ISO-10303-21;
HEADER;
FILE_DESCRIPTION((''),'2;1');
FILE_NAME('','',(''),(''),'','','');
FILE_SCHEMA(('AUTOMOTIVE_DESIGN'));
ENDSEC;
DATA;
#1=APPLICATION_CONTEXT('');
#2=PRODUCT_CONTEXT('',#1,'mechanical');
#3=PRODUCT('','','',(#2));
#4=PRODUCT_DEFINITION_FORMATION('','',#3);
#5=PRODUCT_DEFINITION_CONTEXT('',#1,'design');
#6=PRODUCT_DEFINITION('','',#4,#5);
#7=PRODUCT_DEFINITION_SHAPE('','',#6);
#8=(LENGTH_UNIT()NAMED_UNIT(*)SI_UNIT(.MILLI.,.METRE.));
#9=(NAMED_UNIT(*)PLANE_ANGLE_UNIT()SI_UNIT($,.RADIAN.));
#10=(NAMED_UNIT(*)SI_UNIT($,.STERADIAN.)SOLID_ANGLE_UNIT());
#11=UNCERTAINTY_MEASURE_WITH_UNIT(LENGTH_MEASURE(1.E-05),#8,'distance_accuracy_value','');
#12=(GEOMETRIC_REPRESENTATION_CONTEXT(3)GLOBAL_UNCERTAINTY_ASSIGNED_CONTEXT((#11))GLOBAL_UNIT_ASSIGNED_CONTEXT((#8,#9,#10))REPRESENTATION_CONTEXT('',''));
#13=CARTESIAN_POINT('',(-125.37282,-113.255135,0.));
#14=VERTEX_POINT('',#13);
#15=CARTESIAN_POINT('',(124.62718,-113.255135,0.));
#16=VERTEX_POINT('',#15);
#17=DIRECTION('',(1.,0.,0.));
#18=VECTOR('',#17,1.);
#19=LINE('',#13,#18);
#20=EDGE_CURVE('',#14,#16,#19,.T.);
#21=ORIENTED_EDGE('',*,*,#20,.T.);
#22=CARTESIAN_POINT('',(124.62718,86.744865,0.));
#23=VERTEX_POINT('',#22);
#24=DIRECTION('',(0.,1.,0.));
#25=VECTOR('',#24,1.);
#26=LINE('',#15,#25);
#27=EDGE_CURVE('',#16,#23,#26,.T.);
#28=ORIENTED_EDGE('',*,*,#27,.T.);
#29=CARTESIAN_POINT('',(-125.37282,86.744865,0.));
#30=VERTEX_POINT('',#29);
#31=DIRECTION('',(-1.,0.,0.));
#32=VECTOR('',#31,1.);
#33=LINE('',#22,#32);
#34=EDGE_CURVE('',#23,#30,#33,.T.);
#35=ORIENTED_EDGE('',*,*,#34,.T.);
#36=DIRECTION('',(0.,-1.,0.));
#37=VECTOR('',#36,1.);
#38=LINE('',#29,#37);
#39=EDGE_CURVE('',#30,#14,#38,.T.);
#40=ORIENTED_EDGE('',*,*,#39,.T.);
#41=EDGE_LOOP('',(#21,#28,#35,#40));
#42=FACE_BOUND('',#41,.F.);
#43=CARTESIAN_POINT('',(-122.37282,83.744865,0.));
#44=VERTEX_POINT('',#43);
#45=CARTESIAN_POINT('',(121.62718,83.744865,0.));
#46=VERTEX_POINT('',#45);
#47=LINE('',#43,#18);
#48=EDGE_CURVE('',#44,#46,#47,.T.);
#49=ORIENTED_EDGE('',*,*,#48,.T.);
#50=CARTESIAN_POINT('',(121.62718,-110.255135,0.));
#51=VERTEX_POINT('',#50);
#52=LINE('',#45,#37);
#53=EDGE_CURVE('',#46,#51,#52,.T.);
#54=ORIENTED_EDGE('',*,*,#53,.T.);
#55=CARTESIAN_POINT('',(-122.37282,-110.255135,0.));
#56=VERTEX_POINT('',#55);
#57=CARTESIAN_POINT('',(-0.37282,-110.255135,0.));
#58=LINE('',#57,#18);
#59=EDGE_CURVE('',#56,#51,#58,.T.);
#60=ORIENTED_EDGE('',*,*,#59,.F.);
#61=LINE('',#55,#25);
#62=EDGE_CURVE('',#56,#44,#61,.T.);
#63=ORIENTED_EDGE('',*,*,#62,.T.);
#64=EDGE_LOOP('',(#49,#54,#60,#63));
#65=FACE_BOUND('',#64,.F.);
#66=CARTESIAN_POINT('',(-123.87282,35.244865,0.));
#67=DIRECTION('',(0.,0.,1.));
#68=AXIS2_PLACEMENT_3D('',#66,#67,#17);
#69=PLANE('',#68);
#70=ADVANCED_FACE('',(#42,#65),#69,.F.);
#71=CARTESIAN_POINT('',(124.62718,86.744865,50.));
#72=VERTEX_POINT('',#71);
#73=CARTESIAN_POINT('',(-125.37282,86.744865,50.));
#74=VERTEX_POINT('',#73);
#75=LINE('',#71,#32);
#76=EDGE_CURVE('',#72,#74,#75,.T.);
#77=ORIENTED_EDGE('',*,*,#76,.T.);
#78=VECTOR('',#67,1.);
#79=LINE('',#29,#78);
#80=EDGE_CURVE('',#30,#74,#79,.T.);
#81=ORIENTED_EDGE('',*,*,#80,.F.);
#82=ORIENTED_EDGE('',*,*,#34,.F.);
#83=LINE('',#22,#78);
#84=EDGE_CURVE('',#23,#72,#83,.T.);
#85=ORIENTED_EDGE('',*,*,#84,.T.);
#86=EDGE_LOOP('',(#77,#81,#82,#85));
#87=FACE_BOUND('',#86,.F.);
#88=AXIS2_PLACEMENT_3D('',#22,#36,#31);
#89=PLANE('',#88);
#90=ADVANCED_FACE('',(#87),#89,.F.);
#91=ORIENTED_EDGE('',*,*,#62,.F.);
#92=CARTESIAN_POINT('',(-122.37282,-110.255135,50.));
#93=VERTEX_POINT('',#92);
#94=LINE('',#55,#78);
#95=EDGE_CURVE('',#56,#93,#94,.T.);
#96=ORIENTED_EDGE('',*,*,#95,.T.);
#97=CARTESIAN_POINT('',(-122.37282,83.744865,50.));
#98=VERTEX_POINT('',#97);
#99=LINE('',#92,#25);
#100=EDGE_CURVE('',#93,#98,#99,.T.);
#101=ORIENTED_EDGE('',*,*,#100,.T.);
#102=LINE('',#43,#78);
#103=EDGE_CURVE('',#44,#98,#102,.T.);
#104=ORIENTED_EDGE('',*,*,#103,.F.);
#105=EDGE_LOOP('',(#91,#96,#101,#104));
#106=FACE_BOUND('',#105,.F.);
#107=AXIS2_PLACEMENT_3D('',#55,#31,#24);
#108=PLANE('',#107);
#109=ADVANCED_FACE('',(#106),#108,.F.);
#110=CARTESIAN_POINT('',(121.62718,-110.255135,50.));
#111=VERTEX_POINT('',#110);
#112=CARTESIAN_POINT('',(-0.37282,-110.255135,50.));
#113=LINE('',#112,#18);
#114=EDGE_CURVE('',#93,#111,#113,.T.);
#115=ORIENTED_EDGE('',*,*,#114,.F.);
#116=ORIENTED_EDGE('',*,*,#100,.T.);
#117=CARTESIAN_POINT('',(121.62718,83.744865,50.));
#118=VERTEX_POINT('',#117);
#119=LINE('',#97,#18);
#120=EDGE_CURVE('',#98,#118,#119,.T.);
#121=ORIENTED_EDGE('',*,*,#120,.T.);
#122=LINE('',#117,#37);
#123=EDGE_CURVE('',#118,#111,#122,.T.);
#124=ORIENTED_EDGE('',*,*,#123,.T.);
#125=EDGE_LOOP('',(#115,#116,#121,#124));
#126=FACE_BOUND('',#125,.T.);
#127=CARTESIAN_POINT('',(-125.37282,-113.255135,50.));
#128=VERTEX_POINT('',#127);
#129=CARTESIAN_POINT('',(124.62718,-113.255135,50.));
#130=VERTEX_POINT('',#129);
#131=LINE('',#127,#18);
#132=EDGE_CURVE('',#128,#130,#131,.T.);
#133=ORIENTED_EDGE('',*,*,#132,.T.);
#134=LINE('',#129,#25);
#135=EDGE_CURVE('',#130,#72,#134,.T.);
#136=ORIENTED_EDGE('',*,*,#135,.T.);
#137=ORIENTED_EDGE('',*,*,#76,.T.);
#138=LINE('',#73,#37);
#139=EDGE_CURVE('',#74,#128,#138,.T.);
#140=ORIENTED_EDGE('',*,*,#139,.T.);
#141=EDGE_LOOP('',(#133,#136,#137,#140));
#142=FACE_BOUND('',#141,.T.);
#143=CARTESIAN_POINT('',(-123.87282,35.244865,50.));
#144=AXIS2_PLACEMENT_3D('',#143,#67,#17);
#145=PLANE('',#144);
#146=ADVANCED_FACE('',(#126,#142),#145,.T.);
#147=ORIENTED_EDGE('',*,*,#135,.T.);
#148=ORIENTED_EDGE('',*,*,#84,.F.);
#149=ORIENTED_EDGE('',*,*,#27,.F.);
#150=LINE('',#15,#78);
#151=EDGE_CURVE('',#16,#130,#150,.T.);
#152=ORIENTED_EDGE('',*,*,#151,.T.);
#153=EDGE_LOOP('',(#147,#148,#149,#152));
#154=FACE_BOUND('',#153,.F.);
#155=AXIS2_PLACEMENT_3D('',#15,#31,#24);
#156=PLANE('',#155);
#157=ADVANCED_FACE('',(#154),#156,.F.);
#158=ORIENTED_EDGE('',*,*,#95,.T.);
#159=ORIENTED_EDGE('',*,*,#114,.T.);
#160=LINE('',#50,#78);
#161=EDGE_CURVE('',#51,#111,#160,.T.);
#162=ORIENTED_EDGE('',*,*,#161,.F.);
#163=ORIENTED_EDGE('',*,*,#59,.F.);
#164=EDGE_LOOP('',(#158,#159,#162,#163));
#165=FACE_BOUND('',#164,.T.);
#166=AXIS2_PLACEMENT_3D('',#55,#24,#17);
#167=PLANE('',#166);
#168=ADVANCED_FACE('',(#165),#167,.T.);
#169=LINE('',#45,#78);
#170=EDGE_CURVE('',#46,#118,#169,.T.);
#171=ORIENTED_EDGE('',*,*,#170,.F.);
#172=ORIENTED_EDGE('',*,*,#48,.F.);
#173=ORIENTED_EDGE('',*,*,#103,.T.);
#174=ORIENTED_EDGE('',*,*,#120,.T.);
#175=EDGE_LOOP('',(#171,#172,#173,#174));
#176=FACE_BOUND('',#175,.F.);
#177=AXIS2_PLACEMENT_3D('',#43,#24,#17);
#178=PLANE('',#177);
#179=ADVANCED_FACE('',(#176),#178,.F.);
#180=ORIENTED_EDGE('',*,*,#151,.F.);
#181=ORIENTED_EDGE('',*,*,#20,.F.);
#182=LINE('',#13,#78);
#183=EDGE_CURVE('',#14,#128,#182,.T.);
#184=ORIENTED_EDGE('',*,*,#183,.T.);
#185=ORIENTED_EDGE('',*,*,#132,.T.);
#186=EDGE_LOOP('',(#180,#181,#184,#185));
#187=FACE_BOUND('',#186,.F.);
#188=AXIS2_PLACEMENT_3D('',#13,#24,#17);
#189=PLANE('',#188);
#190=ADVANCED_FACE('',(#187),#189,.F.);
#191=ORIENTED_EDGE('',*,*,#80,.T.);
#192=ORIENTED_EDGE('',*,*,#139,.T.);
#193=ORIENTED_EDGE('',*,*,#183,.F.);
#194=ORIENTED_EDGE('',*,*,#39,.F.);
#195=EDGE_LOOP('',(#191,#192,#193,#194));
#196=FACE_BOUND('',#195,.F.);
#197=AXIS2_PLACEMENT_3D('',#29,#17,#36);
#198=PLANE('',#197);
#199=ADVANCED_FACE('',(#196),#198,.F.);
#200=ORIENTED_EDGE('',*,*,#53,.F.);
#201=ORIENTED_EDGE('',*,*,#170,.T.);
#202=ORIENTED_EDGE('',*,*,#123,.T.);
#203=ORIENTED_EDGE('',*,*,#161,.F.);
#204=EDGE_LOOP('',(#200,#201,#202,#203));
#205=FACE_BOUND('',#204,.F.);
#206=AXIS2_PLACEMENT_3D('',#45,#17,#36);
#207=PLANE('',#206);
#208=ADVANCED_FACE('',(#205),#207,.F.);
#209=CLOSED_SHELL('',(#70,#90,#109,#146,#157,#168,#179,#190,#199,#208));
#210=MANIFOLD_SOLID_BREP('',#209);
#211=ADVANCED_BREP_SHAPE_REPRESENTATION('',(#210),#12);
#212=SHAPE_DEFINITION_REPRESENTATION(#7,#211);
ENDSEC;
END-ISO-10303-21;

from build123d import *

# Parameters (mm, degrees)
F0_W     = 3
F0_H     = 97
F0_H_2   = 3
F0_W_2   = 122
F0_W_3   = 115.3171807528
F0_W_4   = 6.6828192472
F0_W_5   = 244
F1_DEPTH = 50


with BuildPart() as f1:
    # F0 (on Top) → F1 (new body)
    with BuildSketch(Plane.XY):
        with Locations((-123.8728196025, 35.2448651371)):
            Rectangle(F0_W, F0_H)
        with Locations((-123.8728196025, 85.2448651371)):
            Rectangle(F0_W, F0_H_2)
        with Locations((-61.3728196025, 85.2448651371)):
            Rectangle(F0_W_2, F0_H_2)
        with Locations((57.2857707739, 85.2448651371)):
            Rectangle(F0_W_3, F0_H_2)
        with Locations((118.2857707739, 85.2448651371)):
            Rectangle(F0_W_4, F0_H_2)
        with Locations((123.1271803975, 85.2448651371)):
            Rectangle(F0_W, F0_H_2)
        Polygon((124.6271803975, 83.7448651371), (121.6271803975, 83.7448651371), (121.6271803975, -110.2551348629), (121.6271803975, -113.2551348629), (124.6271803975, -113.2551348629), align=None)
        with Locations((-0.3728196025, -111.7551348629)):
            Rectangle(F0_W_5, F0_H_2)
        with Locations((-123.8728196025, -61.7551348629)):
            Rectangle(F0_W, F0_H)
        with Locations((-123.8728196025, -111.7551348629)):
            Rectangle(F0_W, F0_H_2)
    extrude(amount=F1_DEPTH)


solid = f1.part
